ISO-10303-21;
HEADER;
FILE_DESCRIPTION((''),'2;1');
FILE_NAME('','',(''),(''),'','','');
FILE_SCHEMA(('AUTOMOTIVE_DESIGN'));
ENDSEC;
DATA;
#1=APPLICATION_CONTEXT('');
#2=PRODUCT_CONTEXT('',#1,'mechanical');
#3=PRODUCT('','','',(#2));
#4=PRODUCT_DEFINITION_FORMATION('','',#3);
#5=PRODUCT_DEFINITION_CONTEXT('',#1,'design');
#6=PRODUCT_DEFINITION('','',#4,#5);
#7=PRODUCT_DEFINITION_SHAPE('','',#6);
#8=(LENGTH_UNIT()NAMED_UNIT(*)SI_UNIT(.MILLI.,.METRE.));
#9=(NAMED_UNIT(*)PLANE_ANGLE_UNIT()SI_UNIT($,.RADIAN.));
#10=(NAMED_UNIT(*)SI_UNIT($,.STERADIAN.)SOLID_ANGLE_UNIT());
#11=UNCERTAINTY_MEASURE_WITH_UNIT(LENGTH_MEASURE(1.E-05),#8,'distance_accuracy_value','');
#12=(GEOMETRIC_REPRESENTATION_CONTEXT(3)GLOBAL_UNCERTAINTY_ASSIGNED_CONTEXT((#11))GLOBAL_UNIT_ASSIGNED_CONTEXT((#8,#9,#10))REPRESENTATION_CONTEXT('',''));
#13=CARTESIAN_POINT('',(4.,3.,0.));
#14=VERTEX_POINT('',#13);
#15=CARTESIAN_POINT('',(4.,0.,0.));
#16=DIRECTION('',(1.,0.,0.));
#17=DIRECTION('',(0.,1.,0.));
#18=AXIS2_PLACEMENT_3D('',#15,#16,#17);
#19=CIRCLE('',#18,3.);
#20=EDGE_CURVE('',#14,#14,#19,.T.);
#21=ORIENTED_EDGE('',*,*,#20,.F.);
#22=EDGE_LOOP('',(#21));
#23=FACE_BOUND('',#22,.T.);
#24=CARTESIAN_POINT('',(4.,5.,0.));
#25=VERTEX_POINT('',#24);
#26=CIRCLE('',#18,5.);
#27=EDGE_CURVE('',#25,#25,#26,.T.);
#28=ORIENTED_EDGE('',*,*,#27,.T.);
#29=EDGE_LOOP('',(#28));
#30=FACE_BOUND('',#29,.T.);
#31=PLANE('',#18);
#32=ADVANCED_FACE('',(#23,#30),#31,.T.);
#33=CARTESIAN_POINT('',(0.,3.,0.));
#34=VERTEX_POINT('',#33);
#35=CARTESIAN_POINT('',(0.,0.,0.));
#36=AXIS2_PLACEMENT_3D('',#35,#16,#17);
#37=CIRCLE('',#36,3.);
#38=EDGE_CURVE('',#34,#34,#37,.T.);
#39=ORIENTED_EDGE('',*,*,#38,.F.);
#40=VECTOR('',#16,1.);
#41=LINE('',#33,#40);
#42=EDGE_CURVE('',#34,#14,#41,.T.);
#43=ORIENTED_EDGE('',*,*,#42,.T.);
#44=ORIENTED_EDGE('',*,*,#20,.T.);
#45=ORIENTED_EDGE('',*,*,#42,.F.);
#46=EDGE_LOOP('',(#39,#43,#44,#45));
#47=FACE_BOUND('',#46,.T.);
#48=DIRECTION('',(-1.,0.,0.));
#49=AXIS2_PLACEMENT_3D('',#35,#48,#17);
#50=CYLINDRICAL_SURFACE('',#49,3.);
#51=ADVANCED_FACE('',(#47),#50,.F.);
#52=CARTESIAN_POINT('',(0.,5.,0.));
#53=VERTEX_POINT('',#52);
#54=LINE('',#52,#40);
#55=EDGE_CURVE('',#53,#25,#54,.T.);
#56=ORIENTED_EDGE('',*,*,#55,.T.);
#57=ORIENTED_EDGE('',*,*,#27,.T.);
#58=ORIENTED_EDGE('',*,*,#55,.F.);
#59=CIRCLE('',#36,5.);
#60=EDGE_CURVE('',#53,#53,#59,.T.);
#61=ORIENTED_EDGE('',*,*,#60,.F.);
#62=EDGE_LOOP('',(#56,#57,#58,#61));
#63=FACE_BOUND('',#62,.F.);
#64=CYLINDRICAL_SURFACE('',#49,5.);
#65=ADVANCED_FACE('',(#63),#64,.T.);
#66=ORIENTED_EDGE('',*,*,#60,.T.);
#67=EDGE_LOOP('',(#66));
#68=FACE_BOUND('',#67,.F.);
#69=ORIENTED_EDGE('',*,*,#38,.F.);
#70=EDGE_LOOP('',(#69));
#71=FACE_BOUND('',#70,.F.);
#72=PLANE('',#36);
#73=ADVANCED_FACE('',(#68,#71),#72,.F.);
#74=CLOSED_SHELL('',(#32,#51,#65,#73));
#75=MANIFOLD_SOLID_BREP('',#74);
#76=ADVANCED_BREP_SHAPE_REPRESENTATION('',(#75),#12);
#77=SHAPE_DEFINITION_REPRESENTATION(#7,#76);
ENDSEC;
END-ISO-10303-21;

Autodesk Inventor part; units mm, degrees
ref_plane "YZ Plane" through (0, 0, 0) normal (1, 0, 0) x (0, 1, 0)
ref_plane "XZ Plane" through (0, 0, 0) normal (0, 1, 0) x (-1, 0, 0)
ref_plane "XY Plane" through (0, 0, 0) normal (0, 0, 1) x (1, 0, 0)
sketch "Sketch1" plane through (0, 0, 0) normal (1, 0, 0) x (0, 1, 0)
  circle A0 centre (0, 0) radius 3
  circle A1 centre (0, 0) radius 5
  dimension "d0" = 6
  dimension "d1" = 10
extrude "Extrusion1" add sketch "Sketch1" along normal blind 4
properties part number "4mm spacer" material "Nylon 6/6"
